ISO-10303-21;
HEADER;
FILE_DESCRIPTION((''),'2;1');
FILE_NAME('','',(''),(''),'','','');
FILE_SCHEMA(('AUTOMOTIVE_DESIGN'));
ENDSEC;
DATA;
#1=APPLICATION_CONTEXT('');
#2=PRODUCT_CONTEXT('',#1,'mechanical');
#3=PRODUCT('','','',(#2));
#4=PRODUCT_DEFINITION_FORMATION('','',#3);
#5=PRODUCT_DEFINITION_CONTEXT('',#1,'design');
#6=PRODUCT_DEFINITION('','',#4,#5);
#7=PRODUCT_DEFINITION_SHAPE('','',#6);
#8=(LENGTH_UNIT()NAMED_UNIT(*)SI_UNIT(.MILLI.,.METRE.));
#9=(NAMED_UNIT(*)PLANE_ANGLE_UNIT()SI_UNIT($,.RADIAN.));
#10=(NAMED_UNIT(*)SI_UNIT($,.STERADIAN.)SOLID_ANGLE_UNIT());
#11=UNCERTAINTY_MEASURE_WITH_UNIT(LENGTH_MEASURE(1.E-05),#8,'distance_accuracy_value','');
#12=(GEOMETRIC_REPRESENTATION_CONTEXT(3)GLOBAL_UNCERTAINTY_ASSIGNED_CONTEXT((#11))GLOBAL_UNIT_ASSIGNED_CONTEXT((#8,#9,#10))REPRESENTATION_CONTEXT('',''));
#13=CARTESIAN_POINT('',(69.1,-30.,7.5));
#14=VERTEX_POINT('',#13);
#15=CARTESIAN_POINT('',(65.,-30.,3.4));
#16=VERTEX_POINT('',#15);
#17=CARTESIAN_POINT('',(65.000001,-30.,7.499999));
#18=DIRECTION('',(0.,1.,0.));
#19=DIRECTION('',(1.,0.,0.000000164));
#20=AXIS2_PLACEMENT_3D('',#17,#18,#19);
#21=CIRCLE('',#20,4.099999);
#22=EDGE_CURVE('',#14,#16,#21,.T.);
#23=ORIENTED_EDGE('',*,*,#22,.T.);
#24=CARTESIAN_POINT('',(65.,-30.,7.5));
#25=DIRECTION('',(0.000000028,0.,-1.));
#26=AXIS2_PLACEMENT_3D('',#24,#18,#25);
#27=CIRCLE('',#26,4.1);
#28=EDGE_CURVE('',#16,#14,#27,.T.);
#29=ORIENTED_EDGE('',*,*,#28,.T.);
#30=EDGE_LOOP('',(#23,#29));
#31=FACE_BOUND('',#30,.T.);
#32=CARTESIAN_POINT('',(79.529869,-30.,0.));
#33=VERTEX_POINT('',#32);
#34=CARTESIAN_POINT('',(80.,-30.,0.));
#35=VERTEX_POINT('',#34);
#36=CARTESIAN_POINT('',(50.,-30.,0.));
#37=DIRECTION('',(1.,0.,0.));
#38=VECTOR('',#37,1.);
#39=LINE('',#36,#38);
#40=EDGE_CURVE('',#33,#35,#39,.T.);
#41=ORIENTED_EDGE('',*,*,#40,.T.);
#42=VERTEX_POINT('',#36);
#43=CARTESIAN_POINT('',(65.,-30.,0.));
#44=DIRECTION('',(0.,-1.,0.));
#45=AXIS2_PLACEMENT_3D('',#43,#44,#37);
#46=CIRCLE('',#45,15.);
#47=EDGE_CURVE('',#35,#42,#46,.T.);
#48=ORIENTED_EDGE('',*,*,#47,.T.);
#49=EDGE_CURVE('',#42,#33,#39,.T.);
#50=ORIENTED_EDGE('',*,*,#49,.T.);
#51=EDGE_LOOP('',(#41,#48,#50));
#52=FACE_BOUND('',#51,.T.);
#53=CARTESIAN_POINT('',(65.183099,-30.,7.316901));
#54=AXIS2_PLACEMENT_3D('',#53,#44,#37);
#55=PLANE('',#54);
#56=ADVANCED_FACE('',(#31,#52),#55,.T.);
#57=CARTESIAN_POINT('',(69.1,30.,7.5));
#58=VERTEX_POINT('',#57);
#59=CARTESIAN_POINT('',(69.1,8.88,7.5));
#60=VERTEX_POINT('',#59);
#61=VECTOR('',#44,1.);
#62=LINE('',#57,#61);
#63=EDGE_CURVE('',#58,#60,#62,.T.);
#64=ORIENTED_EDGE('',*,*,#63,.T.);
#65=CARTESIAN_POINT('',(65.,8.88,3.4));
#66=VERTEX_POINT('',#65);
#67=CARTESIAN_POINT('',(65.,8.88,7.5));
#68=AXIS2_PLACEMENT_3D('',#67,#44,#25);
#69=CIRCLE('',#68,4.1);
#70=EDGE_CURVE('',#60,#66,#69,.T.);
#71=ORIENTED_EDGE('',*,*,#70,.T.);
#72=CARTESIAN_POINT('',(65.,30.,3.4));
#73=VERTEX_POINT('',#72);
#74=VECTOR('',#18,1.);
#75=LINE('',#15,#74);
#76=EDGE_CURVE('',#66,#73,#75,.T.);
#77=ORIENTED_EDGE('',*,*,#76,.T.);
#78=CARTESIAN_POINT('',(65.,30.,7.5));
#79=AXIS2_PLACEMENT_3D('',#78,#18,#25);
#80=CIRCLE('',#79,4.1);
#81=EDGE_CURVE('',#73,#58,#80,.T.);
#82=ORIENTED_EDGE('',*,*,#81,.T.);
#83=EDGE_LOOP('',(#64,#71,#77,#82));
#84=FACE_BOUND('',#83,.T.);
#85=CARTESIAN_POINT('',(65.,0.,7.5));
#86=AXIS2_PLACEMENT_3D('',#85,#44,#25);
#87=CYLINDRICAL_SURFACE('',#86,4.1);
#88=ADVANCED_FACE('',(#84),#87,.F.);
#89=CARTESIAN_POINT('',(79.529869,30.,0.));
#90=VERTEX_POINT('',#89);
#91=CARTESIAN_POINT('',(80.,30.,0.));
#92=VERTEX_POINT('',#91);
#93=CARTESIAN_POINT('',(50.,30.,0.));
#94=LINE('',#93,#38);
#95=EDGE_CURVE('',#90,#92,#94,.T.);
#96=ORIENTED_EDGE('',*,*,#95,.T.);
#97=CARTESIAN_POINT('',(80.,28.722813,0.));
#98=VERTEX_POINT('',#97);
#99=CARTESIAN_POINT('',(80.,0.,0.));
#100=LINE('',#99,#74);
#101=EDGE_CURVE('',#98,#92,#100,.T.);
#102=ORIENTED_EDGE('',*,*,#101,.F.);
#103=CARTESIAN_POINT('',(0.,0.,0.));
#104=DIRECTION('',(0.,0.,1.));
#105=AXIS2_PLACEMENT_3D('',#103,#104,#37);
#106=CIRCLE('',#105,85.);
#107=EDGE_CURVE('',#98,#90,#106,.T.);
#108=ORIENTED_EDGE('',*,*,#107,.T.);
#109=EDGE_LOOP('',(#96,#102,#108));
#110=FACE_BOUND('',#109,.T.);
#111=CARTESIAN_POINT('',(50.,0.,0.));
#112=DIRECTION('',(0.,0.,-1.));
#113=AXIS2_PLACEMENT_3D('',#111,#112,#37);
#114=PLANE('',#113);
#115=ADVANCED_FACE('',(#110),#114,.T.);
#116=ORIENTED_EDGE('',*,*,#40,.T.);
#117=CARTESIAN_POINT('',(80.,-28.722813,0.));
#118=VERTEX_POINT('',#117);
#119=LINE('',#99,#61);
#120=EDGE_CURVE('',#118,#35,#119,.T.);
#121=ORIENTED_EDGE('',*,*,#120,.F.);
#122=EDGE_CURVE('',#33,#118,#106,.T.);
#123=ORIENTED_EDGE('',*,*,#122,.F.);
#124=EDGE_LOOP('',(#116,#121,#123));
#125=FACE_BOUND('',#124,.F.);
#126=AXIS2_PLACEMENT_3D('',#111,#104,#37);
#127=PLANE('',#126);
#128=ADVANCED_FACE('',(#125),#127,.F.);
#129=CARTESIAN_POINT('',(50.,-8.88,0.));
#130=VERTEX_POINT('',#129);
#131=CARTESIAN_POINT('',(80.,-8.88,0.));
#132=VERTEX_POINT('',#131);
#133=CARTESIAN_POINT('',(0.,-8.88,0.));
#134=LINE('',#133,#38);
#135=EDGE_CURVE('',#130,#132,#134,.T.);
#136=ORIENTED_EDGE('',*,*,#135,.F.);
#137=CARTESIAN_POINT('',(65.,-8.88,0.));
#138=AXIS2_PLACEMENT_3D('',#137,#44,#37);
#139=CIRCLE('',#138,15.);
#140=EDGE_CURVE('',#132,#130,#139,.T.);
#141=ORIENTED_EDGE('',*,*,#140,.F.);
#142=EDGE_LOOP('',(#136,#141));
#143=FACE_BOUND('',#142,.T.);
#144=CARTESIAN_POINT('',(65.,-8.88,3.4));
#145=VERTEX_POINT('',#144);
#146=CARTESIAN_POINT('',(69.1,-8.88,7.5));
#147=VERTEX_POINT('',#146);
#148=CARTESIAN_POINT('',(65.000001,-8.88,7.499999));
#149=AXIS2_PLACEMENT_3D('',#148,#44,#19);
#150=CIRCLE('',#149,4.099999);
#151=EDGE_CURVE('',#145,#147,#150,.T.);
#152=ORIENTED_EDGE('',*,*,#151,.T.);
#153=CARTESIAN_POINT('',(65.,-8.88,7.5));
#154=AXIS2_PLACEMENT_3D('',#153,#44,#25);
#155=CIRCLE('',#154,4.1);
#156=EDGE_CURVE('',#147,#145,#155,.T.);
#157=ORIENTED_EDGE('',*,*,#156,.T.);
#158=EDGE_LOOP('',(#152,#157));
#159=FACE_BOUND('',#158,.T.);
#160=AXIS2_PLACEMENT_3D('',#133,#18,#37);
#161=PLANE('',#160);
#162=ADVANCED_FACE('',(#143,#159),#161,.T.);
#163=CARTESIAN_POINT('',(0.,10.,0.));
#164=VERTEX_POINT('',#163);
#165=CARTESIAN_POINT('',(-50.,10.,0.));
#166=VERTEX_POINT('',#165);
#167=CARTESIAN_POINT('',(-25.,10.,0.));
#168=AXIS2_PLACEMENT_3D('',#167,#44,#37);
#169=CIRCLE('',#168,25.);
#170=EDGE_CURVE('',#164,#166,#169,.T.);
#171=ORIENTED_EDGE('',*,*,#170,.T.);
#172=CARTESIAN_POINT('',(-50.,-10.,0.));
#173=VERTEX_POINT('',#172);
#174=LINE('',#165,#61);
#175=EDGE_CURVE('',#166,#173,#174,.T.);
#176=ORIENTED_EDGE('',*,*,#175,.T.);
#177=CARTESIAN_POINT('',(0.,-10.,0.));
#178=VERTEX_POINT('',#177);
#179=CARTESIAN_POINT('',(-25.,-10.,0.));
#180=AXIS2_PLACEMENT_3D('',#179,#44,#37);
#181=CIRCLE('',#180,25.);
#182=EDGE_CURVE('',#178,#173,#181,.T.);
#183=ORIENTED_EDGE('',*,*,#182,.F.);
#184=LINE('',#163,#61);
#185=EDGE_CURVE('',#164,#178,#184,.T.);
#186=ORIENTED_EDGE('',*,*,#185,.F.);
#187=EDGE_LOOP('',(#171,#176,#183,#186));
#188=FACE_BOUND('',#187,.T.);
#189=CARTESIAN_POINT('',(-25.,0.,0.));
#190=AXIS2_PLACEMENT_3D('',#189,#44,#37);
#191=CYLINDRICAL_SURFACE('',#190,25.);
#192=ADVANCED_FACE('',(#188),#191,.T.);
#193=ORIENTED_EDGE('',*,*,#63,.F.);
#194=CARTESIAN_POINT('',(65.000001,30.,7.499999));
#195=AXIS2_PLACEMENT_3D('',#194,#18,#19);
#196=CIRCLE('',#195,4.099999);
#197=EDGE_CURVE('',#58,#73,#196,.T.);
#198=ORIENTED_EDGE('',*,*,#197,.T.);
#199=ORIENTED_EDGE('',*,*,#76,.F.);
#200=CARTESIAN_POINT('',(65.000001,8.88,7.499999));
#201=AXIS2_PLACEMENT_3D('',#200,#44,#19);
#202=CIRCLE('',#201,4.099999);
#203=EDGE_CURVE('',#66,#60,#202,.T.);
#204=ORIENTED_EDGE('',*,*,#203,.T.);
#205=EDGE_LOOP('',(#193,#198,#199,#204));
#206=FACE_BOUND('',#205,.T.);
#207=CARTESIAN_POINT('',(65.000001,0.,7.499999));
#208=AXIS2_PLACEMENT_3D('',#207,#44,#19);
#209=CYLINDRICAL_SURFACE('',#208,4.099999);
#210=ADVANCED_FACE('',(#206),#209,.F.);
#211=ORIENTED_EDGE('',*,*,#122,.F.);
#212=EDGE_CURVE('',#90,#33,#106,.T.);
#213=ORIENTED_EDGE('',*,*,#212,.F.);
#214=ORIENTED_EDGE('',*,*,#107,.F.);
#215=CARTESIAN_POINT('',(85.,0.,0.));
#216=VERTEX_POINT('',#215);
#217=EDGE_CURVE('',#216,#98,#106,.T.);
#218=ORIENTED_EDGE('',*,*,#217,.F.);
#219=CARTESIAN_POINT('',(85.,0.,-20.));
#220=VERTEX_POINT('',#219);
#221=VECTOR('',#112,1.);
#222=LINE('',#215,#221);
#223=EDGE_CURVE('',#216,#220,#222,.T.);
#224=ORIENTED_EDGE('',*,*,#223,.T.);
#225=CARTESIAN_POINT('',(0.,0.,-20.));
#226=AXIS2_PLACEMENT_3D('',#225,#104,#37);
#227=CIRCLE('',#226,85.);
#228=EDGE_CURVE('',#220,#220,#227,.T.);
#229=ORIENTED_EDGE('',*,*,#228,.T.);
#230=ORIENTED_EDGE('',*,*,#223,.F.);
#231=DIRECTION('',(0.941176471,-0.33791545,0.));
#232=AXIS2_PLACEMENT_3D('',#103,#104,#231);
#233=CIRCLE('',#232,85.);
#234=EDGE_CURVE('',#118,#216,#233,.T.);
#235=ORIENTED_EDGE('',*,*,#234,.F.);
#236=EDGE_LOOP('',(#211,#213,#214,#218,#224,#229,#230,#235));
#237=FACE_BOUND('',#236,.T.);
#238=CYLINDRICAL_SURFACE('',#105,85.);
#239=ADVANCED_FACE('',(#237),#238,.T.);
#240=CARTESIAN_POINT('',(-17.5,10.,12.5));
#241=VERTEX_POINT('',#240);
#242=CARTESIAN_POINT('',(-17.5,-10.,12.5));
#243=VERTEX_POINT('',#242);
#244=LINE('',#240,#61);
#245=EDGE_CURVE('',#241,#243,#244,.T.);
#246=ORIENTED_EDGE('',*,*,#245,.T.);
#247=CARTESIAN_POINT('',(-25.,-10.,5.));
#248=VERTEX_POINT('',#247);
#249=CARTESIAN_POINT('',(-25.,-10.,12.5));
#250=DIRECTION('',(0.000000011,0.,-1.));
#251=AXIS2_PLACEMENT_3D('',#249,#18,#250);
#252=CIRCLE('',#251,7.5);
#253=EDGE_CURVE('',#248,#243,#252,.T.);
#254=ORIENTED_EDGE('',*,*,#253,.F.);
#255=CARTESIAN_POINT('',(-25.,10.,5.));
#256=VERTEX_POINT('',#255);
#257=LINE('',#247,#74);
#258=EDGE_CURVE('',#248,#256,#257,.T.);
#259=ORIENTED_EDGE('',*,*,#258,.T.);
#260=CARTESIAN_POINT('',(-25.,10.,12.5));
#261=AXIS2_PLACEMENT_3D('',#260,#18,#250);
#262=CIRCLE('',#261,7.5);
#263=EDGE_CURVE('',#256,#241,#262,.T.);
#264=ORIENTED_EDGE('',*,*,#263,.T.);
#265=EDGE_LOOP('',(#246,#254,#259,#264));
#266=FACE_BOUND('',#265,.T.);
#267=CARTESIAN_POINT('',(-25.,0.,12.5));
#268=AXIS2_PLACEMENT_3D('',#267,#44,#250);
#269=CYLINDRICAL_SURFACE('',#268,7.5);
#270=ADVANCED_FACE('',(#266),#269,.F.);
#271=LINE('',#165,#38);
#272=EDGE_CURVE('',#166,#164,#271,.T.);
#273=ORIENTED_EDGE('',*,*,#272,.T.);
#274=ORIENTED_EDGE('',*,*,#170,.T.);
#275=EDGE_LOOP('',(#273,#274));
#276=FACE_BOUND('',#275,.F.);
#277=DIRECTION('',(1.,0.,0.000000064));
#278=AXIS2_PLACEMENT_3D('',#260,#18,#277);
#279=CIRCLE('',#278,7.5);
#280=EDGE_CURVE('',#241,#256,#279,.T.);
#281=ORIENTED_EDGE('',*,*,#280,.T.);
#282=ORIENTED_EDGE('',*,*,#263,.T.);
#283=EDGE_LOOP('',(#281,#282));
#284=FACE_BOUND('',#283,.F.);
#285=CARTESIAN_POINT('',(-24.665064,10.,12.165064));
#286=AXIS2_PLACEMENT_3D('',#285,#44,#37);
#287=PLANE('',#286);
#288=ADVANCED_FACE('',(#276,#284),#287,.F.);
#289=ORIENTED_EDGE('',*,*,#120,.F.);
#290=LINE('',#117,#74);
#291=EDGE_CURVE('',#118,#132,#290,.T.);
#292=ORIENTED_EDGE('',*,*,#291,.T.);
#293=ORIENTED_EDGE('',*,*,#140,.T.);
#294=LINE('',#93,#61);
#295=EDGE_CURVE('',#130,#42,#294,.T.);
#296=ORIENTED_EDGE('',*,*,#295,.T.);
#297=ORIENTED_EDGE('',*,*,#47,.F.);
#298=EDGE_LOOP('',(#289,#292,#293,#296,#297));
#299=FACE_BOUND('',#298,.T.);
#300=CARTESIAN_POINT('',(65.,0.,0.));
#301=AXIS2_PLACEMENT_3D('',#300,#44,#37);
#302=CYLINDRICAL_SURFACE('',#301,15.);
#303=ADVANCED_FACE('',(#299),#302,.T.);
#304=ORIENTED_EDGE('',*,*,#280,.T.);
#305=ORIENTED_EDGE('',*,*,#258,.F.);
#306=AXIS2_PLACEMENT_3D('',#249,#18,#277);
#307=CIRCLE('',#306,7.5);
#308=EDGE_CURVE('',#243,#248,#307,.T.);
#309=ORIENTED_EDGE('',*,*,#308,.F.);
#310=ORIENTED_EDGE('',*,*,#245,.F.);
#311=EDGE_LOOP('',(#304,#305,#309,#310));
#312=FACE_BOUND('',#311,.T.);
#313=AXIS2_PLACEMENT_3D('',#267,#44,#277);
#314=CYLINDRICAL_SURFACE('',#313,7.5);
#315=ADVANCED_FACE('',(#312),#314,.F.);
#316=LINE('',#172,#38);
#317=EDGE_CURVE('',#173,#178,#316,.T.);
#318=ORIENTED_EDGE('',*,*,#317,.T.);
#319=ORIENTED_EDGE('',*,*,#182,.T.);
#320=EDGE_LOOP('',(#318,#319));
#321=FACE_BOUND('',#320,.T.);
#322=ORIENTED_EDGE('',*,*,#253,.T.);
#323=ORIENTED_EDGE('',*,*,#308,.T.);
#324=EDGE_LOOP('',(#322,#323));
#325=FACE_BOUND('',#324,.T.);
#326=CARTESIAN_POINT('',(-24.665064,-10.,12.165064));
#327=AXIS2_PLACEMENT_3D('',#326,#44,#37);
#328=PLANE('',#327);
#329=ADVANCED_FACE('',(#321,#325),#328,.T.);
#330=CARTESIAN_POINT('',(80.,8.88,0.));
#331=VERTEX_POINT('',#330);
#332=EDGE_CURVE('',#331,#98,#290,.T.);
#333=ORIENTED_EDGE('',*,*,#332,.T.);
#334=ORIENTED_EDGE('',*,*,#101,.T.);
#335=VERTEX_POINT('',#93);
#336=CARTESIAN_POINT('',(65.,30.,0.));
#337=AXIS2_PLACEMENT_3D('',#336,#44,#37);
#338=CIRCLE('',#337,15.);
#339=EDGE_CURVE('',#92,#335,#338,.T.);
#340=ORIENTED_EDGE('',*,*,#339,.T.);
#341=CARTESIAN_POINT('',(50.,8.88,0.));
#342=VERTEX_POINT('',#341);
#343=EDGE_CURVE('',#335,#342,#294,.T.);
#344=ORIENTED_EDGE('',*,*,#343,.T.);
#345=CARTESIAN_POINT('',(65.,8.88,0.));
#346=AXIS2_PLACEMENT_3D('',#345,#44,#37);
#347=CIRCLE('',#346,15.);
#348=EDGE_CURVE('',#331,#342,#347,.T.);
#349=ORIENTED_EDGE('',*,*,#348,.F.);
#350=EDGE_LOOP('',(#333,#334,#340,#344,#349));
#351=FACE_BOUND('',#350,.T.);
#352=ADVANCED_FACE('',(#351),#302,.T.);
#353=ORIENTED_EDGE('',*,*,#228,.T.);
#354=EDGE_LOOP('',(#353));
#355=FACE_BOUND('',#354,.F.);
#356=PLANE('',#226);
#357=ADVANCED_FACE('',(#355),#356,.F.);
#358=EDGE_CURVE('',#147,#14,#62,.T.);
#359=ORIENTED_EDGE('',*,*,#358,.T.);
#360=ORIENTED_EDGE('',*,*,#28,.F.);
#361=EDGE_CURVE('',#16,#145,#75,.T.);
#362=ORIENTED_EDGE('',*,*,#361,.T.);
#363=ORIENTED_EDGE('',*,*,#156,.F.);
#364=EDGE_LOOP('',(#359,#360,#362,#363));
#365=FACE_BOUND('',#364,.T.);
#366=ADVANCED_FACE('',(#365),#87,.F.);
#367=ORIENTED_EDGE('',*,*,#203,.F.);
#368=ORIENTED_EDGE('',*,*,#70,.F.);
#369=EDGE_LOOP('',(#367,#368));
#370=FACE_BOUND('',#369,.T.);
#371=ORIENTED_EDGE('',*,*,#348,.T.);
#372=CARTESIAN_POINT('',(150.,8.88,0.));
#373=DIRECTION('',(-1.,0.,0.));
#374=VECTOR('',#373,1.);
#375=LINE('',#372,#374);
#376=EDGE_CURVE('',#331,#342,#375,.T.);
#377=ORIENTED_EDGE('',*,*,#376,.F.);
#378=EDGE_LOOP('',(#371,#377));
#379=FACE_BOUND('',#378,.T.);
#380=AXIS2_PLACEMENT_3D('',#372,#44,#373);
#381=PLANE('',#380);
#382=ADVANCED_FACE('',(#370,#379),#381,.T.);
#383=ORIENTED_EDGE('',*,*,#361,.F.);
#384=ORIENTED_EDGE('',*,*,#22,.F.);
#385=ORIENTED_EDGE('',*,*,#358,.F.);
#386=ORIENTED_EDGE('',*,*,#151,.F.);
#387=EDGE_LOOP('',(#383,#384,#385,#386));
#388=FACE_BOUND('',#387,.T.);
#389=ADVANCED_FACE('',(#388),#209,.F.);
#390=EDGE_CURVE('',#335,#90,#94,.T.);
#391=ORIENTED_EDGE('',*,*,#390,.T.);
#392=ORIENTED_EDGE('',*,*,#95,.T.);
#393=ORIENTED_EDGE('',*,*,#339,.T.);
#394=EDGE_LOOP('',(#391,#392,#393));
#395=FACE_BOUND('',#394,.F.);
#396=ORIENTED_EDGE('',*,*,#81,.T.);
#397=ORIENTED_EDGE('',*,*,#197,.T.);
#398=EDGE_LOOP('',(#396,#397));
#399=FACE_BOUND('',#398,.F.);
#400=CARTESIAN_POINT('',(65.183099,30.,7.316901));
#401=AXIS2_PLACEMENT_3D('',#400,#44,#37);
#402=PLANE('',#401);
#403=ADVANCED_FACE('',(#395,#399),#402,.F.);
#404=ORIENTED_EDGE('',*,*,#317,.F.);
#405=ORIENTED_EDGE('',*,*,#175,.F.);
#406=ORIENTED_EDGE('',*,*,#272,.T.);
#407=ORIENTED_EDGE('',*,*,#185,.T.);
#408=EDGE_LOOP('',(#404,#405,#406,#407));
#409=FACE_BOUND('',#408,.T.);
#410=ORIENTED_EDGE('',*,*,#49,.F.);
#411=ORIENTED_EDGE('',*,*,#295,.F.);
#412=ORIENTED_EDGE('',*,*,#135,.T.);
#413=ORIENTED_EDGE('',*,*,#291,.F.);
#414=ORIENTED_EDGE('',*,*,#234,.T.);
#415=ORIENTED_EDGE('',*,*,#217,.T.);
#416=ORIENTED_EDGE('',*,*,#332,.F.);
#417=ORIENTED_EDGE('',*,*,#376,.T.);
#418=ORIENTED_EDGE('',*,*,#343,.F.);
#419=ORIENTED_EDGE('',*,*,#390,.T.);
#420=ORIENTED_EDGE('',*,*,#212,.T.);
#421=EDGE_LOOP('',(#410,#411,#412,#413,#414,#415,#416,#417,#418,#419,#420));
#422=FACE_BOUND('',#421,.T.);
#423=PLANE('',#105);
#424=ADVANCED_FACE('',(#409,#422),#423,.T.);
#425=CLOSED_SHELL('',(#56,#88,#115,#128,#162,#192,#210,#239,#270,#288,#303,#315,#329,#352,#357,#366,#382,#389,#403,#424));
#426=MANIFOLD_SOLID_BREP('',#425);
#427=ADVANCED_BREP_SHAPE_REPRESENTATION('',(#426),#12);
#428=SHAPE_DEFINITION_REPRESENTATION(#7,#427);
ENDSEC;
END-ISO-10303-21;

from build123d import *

# Parameters (mm, degrees)
F0_R          = 85
F1_DEPTH      = 20
F3_DEPTH      = 10
F3_DEPTH_BACK = 10
F5_DEPTH      = 30
F5_DEPTH_BACK = 30
F7_DEPTH      = 25


with BuildPart() as f1:
    # F0 (on Top) → F1 (new body)
    with BuildSketch(Plane.XY):
        Circle(F0_R)
    extrude(amount=-F1_DEPTH)

    # F2 (on Front) → F3 (join, two sides)
    with BuildSketch(Plane.XZ) as f3_sk:
        with BuildLine():
            ThreePointArc((-17.5, 12.5), (-30.303301, 17.803301), (-25, 5))
            ThreePointArc((-25, 5), (-19.696699, 7.196699), (-17.5, 12.5))
        make_face()
        with BuildLine():
            Line((-25, 0), (0, 0))
            ThreePointArc((0, 0), (-25, 25), (-50, 0))
            Line((-50, 0), (-25, 0))
        make_face()
        with BuildLine():
            ThreePointArc((-17.5, 12.5), (-19.696699, 7.196699), (-25, 5))
            ThreePointArc((-25, 5), (-30.303301, 17.803301), (-17.5, 12.5))
        make_face(mode=Mode.SUBTRACT)
    extrude(amount=F3_DEPTH)
    extrude(f3_sk.sketch, amount=-F3_DEPTH_BACK)

    # F4 (on Front) → F5 (join, two sides)
    with BuildSketch(Plane.XZ) as f5_sk:
        with BuildLine():
            ThreePointArc((69.1, 7.5), (62.100862, 10.399138), (65, 3.4))
            ThreePointArc((65, 3.4), (67.899138, 4.600862), (69.1, 7.5))
        make_face()
        with BuildLine():
            ThreePointArc((80, 0), (65, 15), (50, 0))
            Line((50, 0), (65, 0))
            Line((65, 0), (80, 0))
        make_face()
        with BuildLine():
            ThreePointArc((69.1, 7.5), (67.899138, 4.600862), (65, 3.4))
            ThreePointArc((65, 3.4), (62.100862, 10.399138), (69.1, 7.5))
        make_face(mode=Mode.SUBTRACT)
    extrude(amount=F5_DEPTH)
    extrude(f5_sk.sketch, amount=-F5_DEPTH_BACK)

    # F6 (on Top) → F7 (cut)
    with BuildSketch(Plane.XY):
        Polygon((0, 8.88), (0, 0), (0, -8.88), (150, -8.88), (150, 8.88), align=None)
    extrude(amount=F7_DEPTH, mode=Mode.SUBTRACT)


solid = f1.part
